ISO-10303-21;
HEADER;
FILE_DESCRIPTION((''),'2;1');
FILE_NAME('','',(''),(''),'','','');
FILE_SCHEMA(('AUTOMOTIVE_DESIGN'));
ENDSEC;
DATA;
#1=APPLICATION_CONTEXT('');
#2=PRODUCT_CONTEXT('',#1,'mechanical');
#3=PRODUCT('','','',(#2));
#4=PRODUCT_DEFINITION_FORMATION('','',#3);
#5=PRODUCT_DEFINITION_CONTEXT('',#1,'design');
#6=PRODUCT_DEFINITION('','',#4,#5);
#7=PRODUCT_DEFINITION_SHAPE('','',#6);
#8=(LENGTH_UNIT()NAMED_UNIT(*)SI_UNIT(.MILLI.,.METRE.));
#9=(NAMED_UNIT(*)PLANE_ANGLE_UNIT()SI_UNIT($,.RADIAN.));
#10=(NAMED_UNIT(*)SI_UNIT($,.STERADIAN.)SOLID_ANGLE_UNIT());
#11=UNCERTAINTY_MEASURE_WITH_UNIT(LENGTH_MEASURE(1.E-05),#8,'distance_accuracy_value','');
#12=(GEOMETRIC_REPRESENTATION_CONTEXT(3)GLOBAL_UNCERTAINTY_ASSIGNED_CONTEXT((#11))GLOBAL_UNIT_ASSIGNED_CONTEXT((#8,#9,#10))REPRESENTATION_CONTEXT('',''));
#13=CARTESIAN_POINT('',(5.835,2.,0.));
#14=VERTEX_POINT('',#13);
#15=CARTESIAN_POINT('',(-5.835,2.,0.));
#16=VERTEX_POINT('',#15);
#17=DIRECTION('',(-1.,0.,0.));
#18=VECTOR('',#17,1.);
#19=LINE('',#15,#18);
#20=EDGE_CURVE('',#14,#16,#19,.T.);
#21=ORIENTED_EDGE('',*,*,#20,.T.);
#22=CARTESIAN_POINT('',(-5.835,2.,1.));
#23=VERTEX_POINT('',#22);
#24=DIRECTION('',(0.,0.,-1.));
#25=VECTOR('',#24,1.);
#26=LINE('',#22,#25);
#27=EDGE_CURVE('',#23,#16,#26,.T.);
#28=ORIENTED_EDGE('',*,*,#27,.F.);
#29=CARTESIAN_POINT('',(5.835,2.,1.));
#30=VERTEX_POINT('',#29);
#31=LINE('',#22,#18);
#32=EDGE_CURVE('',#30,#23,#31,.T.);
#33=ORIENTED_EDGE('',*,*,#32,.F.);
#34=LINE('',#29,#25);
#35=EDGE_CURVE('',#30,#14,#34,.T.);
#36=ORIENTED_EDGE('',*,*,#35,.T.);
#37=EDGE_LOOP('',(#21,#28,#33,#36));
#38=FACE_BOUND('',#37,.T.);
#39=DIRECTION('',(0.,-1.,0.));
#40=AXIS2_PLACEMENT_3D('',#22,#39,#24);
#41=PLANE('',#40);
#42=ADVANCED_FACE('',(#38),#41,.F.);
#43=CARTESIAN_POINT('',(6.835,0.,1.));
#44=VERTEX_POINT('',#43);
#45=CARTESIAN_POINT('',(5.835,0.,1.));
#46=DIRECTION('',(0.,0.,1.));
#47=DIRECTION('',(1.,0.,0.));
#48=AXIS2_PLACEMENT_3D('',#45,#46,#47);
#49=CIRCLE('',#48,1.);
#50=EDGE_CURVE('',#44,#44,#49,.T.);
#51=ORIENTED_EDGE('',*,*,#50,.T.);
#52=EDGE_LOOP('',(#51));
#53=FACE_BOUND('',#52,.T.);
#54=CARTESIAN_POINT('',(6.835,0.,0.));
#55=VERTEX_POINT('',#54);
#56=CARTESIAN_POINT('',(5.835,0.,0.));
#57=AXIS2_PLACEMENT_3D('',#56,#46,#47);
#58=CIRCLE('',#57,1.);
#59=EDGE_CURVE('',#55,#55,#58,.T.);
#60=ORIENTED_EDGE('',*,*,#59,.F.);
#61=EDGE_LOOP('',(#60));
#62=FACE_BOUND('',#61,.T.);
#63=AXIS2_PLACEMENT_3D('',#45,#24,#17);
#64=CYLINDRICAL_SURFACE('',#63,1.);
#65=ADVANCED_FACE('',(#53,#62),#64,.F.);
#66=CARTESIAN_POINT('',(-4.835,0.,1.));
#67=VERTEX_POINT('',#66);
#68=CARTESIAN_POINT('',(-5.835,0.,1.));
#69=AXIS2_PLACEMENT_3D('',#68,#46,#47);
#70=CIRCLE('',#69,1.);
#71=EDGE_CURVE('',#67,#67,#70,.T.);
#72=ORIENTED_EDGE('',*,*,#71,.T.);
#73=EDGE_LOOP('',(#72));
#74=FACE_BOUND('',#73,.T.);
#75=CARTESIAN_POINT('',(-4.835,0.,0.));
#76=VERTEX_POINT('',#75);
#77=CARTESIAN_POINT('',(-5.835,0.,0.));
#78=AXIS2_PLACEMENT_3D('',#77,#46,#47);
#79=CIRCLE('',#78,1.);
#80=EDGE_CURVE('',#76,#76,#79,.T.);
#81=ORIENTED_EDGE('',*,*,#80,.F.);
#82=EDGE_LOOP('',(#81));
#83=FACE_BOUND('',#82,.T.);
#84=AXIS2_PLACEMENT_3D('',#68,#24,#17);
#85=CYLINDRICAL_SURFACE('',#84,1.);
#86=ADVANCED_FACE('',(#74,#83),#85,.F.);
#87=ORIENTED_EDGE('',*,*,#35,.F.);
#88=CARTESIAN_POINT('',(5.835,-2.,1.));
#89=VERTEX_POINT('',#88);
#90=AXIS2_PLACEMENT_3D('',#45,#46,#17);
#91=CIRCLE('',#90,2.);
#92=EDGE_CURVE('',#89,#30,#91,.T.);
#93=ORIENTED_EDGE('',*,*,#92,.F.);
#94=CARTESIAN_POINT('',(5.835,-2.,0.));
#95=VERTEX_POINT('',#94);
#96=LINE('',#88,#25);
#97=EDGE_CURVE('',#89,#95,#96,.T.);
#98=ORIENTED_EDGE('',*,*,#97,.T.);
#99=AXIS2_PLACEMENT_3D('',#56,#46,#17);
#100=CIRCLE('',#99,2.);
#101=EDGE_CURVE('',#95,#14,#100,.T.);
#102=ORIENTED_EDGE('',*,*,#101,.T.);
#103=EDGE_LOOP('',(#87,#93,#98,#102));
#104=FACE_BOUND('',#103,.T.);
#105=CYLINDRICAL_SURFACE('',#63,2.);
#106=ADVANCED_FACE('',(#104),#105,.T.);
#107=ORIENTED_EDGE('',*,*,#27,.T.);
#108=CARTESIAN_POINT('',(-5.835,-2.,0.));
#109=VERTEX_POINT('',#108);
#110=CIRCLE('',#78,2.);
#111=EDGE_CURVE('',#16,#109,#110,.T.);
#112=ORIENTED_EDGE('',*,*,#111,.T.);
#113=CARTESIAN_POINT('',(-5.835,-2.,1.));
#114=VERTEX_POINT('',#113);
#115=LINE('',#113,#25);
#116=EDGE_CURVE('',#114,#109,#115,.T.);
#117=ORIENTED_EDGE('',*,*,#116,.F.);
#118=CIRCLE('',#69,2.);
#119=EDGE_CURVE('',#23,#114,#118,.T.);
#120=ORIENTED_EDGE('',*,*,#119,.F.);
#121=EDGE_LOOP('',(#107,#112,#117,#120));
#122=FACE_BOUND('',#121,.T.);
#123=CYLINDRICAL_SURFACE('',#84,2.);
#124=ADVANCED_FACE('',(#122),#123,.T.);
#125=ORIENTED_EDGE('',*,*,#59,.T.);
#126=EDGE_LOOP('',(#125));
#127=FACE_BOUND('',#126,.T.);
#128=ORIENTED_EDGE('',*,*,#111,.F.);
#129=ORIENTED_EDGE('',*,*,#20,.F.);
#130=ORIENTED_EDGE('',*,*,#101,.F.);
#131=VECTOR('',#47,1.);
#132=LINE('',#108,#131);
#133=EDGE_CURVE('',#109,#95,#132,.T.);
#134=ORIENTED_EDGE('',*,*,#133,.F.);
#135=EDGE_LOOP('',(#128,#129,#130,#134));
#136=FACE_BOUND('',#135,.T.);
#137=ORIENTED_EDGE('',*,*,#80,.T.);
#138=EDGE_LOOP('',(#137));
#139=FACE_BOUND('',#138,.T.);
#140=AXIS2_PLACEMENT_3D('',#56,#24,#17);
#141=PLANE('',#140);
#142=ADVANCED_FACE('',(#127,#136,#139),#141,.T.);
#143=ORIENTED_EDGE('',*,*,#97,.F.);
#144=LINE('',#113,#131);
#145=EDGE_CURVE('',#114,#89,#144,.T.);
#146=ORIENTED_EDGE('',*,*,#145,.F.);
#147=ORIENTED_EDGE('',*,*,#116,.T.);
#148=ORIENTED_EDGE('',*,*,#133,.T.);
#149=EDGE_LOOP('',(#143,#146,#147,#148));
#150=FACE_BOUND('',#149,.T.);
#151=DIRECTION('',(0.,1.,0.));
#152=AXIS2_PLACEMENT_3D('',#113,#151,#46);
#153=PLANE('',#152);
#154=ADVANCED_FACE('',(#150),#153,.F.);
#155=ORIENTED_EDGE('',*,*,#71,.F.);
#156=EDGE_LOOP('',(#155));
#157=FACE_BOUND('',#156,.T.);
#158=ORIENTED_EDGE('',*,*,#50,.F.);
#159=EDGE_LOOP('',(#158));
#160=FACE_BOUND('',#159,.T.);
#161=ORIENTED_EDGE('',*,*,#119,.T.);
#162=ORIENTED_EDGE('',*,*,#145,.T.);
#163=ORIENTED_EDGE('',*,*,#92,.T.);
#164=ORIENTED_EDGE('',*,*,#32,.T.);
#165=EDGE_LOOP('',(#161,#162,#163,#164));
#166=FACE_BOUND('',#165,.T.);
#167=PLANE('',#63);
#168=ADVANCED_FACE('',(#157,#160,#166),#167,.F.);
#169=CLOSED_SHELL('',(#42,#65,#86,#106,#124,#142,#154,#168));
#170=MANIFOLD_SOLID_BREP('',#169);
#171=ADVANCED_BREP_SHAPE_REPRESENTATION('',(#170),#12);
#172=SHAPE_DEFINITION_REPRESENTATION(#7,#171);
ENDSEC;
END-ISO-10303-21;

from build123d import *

# Parameters (mm, degrees)
ESBO_O1_R                = 1
RESSALTO_EXTRUS_O1_DEPTH = 1


with BuildPart() as part:
    # Esboço1 → Ressalto-extrusão1 (new body)
    with BuildSketch(Plane.XY):
        with BuildLine():
            Line((-5.835, 2), (5.835, 2))
            ThreePointArc((5.835, 2), (7.835, 0), (5.835, -2))
            Line((5.835, -2), (-5.835, -2))
            ThreePointArc((-5.835, -2), (-7.835, 0), (-5.835, 2))
        make_face()
        with Locations((-5.835, 0)):
            Circle(ESBO_O1_R, mode=Mode.SUBTRACT)
        with Locations((5.835, 0)):
            Circle(ESBO_O1_R, mode=Mode.SUBTRACT)
    extrude(amount=RESSALTO_EXTRUS_O1_DEPTH)


solid = part.part
